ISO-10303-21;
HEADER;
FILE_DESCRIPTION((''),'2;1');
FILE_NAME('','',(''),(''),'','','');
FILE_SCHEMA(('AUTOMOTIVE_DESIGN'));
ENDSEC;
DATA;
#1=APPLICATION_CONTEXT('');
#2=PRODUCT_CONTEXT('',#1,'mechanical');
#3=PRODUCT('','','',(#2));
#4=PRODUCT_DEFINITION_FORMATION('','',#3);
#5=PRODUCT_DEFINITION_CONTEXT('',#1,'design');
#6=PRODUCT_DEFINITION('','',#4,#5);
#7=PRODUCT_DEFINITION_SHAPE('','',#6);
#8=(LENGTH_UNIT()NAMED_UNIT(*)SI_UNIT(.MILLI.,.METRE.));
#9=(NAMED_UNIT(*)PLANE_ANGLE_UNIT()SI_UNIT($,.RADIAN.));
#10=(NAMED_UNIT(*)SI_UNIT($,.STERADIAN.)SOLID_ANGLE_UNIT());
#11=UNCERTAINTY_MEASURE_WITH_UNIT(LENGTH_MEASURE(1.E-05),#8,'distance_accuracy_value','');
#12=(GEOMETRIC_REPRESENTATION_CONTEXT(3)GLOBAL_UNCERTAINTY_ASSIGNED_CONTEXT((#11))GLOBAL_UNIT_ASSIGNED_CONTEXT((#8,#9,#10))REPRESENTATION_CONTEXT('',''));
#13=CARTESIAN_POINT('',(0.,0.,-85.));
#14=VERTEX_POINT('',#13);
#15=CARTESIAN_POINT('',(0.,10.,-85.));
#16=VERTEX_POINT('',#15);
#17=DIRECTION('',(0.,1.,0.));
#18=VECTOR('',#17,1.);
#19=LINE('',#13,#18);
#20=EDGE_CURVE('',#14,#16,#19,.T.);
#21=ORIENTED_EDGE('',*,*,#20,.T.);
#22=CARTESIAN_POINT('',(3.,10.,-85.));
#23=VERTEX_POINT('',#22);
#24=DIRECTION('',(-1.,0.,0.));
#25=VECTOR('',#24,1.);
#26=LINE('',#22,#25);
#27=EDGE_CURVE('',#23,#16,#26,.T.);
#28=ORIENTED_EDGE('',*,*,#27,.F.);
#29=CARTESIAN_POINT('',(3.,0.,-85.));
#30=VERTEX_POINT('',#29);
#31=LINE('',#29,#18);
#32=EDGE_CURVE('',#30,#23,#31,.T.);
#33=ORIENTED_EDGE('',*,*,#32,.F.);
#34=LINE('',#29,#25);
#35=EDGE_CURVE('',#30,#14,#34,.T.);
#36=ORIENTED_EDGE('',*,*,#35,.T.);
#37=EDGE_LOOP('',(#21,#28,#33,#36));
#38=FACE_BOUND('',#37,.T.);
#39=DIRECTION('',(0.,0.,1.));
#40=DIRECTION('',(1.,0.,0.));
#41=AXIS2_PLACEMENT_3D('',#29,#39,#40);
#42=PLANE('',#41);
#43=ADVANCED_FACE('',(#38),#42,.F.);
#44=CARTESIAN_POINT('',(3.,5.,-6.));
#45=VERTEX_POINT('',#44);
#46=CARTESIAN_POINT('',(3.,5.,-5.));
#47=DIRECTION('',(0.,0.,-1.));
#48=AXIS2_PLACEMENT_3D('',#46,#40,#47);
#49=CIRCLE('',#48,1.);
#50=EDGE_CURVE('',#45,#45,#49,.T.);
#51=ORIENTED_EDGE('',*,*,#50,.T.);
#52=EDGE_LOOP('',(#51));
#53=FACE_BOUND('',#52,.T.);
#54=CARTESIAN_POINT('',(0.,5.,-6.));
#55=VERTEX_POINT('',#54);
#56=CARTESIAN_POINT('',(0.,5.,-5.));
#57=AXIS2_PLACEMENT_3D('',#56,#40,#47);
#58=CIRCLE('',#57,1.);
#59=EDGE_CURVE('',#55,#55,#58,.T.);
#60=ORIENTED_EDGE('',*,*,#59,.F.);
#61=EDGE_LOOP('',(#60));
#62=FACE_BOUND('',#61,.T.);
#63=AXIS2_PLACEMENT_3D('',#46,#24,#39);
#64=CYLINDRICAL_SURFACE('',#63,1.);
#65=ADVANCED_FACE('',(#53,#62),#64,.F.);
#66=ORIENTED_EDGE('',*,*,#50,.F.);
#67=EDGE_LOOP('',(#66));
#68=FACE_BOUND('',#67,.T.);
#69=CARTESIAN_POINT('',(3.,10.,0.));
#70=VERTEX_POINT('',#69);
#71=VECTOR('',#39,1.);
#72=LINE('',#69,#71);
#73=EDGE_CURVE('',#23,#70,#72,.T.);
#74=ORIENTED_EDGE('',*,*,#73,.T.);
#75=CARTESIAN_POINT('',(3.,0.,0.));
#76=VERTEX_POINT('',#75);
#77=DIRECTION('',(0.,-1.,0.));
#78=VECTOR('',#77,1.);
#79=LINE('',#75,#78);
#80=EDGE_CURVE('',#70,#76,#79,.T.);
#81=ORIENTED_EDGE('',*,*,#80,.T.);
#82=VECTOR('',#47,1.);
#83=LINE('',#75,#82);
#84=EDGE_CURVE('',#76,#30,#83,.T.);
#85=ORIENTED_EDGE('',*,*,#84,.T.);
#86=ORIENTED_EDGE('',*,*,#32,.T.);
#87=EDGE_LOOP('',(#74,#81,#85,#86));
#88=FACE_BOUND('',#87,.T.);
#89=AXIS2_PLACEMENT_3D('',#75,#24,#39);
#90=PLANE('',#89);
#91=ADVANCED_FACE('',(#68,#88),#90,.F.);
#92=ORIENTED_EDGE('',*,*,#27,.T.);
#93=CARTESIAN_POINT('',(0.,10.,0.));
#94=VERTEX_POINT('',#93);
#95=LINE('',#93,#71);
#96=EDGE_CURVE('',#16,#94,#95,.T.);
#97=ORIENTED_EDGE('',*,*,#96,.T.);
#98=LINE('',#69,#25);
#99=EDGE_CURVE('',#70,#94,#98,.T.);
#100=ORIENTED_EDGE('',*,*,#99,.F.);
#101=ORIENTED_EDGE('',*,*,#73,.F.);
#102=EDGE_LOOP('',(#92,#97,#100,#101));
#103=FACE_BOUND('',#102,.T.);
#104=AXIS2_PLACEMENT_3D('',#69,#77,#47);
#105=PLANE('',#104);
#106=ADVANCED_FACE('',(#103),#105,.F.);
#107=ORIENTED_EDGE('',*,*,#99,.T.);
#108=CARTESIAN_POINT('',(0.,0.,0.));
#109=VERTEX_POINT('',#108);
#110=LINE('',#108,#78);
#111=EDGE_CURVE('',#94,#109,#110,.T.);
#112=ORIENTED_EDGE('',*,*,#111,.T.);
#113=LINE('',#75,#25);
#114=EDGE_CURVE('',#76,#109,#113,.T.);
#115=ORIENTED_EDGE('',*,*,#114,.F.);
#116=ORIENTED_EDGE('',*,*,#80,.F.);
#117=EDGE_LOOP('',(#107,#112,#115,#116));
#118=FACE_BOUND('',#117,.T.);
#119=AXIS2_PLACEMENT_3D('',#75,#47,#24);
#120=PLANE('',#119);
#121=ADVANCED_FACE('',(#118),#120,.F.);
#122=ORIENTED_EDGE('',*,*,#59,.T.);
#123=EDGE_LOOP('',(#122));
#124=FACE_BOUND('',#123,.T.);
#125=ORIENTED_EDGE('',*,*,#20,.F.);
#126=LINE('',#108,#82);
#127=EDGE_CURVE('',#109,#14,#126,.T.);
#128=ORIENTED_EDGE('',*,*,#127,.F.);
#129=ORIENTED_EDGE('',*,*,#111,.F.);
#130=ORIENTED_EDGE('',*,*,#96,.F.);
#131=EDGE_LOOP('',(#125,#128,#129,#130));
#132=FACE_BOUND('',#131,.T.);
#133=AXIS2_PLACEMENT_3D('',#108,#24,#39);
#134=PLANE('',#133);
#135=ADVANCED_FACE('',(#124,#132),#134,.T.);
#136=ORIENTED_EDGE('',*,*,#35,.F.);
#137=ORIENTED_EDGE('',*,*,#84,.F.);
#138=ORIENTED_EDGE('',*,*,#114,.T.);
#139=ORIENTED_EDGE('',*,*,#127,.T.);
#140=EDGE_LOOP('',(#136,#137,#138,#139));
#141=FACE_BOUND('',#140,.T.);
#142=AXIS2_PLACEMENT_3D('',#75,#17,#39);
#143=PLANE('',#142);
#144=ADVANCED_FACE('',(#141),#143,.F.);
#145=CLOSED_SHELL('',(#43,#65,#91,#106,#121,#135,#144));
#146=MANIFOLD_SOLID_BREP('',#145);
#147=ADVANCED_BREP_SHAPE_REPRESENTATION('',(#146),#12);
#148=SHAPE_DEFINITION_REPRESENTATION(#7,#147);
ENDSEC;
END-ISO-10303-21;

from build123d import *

# Parameters (mm, degrees)
ESQUISSE1_W        = 85
ESQUISSE1_H        = 10
ESQUISSE1_R        = 1
BOSS_EXTRU_1_DEPTH = 3


with BuildPart() as part:
    # Esquisse1 → Boss.-Extru.1 (new body)
    with BuildSketch(Plane(origin=(0, 0, 0), x_dir=(0, 0, -1), z_dir=(1, 0, 0))):
        with Locations((42.5, 5)):
            Rectangle(ESQUISSE1_W, ESQUISSE1_H)
        with Locations((5, 5)):
            Circle(ESQUISSE1_R, mode=Mode.SUBTRACT)
    extrude(amount=BOSS_EXTRU_1_DEPTH)


solid = part.part
